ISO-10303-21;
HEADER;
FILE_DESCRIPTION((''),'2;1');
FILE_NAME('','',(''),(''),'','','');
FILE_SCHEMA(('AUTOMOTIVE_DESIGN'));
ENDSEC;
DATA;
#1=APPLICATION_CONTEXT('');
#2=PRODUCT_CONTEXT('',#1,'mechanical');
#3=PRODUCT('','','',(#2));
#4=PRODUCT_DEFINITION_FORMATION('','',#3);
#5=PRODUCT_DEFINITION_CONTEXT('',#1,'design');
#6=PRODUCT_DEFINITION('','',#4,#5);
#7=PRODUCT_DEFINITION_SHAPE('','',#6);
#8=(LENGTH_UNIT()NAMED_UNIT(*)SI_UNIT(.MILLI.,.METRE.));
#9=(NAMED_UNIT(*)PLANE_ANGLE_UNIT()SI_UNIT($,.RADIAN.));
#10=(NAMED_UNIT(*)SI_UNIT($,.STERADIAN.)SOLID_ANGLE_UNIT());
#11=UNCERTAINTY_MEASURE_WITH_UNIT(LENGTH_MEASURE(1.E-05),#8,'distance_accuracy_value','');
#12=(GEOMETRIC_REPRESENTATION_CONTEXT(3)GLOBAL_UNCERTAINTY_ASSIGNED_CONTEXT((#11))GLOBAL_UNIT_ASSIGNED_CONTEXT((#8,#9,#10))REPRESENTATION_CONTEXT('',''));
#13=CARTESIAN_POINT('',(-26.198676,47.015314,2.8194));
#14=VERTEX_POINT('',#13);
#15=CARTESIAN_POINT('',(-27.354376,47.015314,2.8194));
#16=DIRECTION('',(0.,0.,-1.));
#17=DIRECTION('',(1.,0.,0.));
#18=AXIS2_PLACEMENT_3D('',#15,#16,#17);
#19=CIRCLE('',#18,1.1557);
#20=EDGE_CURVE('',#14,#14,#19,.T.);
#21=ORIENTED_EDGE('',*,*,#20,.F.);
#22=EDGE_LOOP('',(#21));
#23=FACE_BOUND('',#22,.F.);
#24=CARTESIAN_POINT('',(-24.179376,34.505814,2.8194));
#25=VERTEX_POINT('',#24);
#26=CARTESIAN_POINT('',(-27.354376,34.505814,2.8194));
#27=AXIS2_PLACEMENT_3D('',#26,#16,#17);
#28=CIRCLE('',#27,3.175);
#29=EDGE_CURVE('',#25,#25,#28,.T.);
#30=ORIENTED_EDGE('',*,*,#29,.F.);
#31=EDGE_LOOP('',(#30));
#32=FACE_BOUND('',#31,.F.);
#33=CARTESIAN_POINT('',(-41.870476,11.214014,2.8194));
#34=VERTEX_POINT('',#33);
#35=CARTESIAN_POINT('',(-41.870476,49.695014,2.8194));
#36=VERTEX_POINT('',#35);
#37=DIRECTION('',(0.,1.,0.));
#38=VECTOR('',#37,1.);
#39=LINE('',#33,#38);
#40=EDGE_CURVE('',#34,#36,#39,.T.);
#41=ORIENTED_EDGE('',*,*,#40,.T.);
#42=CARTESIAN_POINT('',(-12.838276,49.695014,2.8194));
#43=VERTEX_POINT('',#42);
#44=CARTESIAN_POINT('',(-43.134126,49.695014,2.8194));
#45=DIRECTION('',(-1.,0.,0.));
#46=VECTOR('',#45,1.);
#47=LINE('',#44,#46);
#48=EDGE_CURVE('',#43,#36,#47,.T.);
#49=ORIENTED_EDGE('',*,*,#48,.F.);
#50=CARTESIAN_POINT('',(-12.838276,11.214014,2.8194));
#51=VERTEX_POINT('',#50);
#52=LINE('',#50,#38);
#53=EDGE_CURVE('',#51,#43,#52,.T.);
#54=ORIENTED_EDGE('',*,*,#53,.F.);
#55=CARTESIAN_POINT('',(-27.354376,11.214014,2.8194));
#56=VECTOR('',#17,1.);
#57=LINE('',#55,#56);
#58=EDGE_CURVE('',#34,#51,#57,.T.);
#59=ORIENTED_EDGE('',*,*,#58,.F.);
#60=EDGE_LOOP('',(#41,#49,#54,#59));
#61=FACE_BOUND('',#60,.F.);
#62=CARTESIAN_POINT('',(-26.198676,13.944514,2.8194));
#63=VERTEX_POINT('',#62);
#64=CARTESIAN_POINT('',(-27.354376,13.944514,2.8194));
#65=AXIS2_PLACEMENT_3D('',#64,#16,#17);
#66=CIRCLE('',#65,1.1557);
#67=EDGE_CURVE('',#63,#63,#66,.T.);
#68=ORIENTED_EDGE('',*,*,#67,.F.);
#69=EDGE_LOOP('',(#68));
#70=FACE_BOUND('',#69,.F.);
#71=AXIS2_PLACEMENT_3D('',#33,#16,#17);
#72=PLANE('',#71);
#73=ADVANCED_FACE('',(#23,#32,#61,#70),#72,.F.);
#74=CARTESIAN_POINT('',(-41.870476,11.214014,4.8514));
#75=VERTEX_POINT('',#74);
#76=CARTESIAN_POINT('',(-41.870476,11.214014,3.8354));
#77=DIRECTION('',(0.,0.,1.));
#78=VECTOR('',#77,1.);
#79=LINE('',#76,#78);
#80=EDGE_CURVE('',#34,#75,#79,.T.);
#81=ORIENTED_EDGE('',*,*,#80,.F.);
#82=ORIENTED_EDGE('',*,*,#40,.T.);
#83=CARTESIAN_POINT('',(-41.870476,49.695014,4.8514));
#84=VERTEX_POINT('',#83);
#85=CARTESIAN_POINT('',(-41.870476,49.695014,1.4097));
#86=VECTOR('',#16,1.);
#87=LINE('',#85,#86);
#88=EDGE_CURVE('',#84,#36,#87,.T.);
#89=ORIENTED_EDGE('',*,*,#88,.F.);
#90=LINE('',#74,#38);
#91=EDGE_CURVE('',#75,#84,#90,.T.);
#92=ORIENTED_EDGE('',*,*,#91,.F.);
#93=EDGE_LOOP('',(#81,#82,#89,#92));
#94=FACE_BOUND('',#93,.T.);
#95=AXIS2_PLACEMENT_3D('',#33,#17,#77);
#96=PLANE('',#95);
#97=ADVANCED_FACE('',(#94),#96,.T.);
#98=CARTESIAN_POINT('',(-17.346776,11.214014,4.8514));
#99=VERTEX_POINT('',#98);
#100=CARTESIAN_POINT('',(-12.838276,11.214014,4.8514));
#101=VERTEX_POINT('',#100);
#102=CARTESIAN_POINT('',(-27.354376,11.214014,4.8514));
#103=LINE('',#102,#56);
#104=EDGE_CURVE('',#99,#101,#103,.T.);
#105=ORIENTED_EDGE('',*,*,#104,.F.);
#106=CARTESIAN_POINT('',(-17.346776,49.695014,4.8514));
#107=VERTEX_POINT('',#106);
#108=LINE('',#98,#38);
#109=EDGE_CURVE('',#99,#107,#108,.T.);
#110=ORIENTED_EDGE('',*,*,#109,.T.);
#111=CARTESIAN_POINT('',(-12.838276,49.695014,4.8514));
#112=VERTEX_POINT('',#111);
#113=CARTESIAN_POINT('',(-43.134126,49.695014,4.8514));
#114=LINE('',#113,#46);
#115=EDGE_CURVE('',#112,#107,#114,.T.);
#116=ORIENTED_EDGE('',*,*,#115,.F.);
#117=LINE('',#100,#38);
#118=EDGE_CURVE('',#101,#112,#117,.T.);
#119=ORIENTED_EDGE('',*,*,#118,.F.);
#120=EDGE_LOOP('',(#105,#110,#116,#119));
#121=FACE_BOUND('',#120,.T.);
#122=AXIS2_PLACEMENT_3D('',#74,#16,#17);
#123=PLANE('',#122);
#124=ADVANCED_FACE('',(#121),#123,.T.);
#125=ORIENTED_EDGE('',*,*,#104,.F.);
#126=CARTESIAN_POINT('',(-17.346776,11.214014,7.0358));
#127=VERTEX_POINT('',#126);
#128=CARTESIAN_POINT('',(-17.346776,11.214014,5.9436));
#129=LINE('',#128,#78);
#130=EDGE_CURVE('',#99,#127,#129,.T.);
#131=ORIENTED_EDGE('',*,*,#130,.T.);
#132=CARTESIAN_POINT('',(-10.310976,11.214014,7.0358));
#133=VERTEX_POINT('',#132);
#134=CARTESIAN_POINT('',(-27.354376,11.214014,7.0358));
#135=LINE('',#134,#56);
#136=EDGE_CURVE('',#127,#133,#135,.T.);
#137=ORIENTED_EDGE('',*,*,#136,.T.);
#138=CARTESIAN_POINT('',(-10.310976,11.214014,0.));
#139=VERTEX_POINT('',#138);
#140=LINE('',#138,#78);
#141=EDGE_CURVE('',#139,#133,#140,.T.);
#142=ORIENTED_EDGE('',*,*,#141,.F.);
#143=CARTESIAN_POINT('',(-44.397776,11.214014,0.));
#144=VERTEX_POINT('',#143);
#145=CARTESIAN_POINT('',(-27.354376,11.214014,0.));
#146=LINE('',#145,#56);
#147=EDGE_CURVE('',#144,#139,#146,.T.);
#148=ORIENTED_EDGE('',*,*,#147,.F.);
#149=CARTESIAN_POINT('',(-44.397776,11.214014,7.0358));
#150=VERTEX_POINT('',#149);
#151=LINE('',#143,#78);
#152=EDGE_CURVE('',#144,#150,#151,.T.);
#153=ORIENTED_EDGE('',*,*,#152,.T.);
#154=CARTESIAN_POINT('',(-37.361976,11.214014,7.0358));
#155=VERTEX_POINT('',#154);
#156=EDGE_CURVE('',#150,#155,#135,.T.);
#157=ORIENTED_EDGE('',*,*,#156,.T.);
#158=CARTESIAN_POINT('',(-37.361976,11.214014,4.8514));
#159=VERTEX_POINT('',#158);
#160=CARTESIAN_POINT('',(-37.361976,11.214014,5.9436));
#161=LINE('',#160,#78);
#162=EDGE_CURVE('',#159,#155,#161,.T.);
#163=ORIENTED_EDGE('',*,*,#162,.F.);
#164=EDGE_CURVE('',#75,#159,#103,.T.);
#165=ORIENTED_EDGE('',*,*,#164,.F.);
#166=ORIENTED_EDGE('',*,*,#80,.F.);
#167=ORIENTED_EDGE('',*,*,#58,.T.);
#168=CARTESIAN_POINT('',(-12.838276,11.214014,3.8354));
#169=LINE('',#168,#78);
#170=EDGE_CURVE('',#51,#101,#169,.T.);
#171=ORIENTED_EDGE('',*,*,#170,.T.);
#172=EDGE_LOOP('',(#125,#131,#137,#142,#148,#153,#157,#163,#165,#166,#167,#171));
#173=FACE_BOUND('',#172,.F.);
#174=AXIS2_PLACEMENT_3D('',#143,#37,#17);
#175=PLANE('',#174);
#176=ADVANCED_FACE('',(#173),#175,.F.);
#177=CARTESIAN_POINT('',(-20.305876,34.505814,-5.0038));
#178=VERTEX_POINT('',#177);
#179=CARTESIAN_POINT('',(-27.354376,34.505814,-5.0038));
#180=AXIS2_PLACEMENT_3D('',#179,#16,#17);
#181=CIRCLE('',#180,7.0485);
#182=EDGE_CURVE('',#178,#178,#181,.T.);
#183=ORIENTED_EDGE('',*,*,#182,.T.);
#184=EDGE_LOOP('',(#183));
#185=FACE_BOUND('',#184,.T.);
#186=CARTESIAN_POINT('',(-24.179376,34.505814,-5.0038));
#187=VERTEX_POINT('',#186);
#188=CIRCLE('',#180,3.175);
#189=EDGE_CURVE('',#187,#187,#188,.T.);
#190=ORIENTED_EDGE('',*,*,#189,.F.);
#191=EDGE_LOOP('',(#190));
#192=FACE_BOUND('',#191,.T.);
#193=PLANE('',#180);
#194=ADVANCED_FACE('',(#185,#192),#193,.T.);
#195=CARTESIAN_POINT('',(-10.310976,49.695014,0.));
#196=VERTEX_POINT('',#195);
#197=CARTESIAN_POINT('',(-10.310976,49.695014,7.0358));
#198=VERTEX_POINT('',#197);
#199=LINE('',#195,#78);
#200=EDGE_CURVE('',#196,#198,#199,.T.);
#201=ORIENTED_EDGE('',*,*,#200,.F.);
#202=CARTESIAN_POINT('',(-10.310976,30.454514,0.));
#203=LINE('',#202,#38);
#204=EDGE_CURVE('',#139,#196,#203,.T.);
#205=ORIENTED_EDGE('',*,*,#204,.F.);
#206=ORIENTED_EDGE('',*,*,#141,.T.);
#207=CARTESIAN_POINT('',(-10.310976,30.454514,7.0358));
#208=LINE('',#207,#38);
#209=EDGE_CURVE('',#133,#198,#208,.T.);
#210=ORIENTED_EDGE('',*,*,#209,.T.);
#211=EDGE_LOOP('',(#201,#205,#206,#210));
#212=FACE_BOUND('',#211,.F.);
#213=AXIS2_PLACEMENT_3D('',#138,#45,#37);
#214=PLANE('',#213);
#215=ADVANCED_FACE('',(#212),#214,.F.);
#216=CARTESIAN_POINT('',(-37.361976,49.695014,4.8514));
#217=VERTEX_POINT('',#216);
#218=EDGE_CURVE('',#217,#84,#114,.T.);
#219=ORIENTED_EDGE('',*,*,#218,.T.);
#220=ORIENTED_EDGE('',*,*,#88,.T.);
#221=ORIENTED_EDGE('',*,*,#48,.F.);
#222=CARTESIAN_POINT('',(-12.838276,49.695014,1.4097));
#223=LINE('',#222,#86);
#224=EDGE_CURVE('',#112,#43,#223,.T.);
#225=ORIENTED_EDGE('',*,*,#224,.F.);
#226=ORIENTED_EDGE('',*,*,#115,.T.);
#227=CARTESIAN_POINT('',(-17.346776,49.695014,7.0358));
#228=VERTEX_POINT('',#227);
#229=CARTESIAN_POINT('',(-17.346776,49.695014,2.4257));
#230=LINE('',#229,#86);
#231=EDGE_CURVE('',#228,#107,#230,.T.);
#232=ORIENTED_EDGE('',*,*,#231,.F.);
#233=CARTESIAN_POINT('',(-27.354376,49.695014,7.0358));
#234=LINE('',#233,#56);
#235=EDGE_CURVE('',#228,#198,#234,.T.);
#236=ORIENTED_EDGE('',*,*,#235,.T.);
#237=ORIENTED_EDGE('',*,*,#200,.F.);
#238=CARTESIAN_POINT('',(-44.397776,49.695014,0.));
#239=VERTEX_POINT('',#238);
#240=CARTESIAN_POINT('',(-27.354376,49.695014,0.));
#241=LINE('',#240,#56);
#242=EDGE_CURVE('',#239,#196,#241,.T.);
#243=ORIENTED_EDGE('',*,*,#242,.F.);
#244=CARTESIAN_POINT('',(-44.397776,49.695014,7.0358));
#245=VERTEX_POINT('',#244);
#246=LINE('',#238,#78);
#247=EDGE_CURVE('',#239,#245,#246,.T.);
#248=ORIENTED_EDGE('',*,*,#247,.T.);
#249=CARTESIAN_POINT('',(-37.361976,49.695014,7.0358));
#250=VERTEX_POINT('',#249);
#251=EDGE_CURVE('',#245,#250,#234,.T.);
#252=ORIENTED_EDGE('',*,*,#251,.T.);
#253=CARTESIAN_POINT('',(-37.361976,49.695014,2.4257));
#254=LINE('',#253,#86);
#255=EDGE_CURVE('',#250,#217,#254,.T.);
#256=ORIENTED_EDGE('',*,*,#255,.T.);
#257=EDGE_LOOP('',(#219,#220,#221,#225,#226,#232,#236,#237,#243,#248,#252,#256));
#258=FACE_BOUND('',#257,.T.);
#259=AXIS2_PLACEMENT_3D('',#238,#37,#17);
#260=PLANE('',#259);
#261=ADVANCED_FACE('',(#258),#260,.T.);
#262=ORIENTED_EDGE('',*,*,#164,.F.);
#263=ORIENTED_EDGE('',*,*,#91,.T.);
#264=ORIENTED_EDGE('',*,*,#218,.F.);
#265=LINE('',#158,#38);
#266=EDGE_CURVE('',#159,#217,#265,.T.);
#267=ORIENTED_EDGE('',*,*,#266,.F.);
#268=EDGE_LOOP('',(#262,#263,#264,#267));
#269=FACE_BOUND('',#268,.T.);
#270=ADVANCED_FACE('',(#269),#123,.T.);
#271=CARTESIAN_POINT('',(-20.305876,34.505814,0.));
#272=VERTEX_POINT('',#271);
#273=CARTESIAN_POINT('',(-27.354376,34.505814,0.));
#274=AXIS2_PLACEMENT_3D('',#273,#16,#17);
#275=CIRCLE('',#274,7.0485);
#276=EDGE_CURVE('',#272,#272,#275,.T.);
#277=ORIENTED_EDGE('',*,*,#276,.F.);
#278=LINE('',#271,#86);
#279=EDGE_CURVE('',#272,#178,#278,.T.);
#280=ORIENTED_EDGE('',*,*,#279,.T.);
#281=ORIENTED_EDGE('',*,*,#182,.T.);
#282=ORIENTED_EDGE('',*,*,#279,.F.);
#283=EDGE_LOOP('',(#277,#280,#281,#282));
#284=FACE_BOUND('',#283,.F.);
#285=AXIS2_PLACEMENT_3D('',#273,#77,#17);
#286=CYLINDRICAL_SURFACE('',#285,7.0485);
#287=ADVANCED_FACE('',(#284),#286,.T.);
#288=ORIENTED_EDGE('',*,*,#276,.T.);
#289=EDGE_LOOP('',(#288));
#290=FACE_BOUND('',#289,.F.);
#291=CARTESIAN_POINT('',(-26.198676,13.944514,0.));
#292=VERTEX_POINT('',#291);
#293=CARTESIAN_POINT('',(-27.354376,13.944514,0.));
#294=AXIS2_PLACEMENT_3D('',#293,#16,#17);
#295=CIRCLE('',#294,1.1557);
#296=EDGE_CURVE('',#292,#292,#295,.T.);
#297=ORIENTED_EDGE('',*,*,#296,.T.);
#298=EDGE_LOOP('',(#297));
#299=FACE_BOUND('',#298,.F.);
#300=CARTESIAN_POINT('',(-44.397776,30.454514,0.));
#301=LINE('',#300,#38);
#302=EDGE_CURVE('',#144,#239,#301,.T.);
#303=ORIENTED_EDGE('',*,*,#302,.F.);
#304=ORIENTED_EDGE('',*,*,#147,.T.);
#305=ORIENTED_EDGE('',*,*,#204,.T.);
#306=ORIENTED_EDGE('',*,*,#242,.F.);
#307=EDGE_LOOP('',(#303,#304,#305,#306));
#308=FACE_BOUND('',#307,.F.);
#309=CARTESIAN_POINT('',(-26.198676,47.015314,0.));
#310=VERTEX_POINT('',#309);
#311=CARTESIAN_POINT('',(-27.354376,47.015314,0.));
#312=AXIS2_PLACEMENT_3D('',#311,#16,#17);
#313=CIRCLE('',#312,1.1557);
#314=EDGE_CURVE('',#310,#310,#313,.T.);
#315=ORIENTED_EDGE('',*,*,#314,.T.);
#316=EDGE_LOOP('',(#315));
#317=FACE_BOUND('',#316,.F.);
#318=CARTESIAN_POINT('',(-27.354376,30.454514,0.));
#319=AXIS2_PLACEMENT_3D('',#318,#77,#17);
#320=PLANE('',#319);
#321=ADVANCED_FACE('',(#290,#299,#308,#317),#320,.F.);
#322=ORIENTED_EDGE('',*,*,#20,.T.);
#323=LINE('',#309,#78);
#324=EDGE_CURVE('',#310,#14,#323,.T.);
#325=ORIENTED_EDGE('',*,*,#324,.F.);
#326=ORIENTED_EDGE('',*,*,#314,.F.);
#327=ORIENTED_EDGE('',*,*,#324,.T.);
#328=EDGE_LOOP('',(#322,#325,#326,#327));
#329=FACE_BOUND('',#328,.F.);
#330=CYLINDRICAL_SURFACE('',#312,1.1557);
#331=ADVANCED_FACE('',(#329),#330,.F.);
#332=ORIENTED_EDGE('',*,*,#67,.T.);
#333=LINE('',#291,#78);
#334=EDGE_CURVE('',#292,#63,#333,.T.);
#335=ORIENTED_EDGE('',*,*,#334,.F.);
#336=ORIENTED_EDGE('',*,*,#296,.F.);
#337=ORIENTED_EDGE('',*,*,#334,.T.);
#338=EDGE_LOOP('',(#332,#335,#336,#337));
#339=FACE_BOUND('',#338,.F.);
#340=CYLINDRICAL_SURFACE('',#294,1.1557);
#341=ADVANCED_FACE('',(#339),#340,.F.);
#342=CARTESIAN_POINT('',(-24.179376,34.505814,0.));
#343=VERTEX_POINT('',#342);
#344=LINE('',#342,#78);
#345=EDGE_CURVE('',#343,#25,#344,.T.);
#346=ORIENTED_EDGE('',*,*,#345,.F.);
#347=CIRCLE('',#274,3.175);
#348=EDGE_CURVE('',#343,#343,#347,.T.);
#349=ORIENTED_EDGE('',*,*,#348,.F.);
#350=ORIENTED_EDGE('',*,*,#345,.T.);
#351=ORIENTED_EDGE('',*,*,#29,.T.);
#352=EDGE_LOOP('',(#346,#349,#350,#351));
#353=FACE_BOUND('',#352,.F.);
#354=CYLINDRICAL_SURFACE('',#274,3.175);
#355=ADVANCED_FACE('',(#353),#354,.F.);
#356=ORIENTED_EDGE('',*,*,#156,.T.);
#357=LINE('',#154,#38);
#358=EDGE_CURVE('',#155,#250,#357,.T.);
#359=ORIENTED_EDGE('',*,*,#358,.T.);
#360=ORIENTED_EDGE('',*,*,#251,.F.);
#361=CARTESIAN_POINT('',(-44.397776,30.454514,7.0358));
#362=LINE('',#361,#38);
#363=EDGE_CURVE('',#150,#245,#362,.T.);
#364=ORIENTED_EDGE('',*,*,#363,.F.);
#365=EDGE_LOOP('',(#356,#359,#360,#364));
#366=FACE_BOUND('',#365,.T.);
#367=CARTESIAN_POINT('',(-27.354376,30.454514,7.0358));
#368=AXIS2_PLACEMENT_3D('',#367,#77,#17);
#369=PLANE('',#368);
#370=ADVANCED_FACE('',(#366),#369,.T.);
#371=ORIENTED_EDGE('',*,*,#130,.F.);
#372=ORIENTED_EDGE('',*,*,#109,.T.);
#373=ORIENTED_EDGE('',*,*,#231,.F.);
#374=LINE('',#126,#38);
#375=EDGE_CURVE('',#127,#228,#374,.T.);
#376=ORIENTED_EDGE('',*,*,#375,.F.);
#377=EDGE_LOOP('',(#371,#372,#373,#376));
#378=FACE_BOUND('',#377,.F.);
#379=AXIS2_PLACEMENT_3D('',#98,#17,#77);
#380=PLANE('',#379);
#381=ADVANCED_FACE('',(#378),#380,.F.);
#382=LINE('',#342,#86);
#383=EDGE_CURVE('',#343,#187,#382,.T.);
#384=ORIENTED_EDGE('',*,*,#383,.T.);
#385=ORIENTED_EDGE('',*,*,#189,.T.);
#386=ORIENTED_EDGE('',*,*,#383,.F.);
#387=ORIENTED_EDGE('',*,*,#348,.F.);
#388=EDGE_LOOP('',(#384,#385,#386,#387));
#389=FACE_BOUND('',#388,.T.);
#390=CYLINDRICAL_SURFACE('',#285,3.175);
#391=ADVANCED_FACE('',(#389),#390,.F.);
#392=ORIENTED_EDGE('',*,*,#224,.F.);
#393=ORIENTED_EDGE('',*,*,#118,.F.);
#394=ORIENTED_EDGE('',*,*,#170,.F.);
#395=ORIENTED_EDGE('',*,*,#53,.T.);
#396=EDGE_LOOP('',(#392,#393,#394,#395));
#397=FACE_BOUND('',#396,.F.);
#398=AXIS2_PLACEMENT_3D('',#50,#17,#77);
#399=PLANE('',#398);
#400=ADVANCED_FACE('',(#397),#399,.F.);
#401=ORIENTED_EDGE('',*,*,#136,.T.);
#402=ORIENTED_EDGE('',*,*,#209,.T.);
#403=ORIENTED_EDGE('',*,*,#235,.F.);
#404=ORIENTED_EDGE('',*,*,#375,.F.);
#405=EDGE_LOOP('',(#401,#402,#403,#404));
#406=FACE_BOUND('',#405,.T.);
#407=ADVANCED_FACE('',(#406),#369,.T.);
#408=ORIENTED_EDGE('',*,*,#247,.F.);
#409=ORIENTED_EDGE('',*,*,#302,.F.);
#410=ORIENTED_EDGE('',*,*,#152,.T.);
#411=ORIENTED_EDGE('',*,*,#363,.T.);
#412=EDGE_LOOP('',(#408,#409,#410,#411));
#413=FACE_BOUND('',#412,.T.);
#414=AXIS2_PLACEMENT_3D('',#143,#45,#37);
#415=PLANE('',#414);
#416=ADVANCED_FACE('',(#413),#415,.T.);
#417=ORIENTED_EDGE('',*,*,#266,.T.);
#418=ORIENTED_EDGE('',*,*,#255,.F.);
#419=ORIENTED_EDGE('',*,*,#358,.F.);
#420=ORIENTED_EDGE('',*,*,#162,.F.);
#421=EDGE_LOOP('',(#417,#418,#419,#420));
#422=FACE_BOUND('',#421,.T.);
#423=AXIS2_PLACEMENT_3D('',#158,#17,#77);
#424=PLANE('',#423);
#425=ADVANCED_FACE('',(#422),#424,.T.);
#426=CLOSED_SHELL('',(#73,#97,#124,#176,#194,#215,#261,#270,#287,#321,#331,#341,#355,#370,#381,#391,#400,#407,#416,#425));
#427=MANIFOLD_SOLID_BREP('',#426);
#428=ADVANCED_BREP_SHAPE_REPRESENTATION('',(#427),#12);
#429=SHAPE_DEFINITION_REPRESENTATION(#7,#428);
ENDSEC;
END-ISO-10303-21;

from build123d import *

# Parameters (mm, degrees)
F0_W     = 34.0868
F0_H     = 38.481
F1_DEPTH = 7.0358
F2_W     = 20.0152
F2_H     = 2.1844
F3_DEPTH = 38.482
F4_W     = 29.0322
F4_H     = 2.032
F5_DEPTH = 38.482
F6_R     = 1.1557
F6_R_2   = 3.175
F7_DEPTH = 25.4
F8_R     = 7.0485
F8_R_2   = 3.175
F9_DEPTH = 5.0038


with BuildPart() as f1:
    # F0 (on Top) → F1 (new body)
    with BuildSketch(Plane.XY):
        with Locations((-27.354376, 30.454514)):
            Rectangle(F0_W, F0_H)
    extrude(amount=F1_DEPTH)

    # F2 (on face) → F3 (cut, through all)
    with BuildSketch(Plane.XZ.offset(-11.214014)):
        with Locations((-27.354376, 5.9436)):
            Rectangle(F2_W, F2_H)
    extrude(amount=-F3_DEPTH, mode=Mode.SUBTRACT)

    # F4 (on face) → F5 (cut, through all)
    with BuildSketch(Plane.XZ.offset(-11.214014)):
        with Locations((-27.354376, 3.8354)):
            Rectangle(F4_W, F4_H)
    extrude(amount=-F5_DEPTH, mode=Mode.SUBTRACT)

    # F6 (on face) → F7 (cut)
    with BuildSketch(Plane(origin=(0, 0, 0), x_dir=(1, 0, 0), z_dir=(0, 0, -1))):
        with Locations((-27.354376, -13.944514)):
            Circle(F6_R)
        with Locations((-27.354376, -34.505814)):
            Circle(F6_R_2)
        with Locations((-27.354376, -47.015314)):
            Circle(F6_R)
    extrude(amount=-F7_DEPTH, mode=Mode.SUBTRACT)

    # F8 (on face) → F9 (join)
    with BuildSketch(Plane(origin=(0, 0, 0), x_dir=(1, 0, 0), z_dir=(0, 0, -1))):
        with Locations((-27.354376, -34.505814)):
            Circle(F8_R)
        with Locations((-27.354376, -34.505814)):
            Circle(F8_R_2, mode=Mode.SUBTRACT)
    extrude(amount=F9_DEPTH)


solid = f1.part
